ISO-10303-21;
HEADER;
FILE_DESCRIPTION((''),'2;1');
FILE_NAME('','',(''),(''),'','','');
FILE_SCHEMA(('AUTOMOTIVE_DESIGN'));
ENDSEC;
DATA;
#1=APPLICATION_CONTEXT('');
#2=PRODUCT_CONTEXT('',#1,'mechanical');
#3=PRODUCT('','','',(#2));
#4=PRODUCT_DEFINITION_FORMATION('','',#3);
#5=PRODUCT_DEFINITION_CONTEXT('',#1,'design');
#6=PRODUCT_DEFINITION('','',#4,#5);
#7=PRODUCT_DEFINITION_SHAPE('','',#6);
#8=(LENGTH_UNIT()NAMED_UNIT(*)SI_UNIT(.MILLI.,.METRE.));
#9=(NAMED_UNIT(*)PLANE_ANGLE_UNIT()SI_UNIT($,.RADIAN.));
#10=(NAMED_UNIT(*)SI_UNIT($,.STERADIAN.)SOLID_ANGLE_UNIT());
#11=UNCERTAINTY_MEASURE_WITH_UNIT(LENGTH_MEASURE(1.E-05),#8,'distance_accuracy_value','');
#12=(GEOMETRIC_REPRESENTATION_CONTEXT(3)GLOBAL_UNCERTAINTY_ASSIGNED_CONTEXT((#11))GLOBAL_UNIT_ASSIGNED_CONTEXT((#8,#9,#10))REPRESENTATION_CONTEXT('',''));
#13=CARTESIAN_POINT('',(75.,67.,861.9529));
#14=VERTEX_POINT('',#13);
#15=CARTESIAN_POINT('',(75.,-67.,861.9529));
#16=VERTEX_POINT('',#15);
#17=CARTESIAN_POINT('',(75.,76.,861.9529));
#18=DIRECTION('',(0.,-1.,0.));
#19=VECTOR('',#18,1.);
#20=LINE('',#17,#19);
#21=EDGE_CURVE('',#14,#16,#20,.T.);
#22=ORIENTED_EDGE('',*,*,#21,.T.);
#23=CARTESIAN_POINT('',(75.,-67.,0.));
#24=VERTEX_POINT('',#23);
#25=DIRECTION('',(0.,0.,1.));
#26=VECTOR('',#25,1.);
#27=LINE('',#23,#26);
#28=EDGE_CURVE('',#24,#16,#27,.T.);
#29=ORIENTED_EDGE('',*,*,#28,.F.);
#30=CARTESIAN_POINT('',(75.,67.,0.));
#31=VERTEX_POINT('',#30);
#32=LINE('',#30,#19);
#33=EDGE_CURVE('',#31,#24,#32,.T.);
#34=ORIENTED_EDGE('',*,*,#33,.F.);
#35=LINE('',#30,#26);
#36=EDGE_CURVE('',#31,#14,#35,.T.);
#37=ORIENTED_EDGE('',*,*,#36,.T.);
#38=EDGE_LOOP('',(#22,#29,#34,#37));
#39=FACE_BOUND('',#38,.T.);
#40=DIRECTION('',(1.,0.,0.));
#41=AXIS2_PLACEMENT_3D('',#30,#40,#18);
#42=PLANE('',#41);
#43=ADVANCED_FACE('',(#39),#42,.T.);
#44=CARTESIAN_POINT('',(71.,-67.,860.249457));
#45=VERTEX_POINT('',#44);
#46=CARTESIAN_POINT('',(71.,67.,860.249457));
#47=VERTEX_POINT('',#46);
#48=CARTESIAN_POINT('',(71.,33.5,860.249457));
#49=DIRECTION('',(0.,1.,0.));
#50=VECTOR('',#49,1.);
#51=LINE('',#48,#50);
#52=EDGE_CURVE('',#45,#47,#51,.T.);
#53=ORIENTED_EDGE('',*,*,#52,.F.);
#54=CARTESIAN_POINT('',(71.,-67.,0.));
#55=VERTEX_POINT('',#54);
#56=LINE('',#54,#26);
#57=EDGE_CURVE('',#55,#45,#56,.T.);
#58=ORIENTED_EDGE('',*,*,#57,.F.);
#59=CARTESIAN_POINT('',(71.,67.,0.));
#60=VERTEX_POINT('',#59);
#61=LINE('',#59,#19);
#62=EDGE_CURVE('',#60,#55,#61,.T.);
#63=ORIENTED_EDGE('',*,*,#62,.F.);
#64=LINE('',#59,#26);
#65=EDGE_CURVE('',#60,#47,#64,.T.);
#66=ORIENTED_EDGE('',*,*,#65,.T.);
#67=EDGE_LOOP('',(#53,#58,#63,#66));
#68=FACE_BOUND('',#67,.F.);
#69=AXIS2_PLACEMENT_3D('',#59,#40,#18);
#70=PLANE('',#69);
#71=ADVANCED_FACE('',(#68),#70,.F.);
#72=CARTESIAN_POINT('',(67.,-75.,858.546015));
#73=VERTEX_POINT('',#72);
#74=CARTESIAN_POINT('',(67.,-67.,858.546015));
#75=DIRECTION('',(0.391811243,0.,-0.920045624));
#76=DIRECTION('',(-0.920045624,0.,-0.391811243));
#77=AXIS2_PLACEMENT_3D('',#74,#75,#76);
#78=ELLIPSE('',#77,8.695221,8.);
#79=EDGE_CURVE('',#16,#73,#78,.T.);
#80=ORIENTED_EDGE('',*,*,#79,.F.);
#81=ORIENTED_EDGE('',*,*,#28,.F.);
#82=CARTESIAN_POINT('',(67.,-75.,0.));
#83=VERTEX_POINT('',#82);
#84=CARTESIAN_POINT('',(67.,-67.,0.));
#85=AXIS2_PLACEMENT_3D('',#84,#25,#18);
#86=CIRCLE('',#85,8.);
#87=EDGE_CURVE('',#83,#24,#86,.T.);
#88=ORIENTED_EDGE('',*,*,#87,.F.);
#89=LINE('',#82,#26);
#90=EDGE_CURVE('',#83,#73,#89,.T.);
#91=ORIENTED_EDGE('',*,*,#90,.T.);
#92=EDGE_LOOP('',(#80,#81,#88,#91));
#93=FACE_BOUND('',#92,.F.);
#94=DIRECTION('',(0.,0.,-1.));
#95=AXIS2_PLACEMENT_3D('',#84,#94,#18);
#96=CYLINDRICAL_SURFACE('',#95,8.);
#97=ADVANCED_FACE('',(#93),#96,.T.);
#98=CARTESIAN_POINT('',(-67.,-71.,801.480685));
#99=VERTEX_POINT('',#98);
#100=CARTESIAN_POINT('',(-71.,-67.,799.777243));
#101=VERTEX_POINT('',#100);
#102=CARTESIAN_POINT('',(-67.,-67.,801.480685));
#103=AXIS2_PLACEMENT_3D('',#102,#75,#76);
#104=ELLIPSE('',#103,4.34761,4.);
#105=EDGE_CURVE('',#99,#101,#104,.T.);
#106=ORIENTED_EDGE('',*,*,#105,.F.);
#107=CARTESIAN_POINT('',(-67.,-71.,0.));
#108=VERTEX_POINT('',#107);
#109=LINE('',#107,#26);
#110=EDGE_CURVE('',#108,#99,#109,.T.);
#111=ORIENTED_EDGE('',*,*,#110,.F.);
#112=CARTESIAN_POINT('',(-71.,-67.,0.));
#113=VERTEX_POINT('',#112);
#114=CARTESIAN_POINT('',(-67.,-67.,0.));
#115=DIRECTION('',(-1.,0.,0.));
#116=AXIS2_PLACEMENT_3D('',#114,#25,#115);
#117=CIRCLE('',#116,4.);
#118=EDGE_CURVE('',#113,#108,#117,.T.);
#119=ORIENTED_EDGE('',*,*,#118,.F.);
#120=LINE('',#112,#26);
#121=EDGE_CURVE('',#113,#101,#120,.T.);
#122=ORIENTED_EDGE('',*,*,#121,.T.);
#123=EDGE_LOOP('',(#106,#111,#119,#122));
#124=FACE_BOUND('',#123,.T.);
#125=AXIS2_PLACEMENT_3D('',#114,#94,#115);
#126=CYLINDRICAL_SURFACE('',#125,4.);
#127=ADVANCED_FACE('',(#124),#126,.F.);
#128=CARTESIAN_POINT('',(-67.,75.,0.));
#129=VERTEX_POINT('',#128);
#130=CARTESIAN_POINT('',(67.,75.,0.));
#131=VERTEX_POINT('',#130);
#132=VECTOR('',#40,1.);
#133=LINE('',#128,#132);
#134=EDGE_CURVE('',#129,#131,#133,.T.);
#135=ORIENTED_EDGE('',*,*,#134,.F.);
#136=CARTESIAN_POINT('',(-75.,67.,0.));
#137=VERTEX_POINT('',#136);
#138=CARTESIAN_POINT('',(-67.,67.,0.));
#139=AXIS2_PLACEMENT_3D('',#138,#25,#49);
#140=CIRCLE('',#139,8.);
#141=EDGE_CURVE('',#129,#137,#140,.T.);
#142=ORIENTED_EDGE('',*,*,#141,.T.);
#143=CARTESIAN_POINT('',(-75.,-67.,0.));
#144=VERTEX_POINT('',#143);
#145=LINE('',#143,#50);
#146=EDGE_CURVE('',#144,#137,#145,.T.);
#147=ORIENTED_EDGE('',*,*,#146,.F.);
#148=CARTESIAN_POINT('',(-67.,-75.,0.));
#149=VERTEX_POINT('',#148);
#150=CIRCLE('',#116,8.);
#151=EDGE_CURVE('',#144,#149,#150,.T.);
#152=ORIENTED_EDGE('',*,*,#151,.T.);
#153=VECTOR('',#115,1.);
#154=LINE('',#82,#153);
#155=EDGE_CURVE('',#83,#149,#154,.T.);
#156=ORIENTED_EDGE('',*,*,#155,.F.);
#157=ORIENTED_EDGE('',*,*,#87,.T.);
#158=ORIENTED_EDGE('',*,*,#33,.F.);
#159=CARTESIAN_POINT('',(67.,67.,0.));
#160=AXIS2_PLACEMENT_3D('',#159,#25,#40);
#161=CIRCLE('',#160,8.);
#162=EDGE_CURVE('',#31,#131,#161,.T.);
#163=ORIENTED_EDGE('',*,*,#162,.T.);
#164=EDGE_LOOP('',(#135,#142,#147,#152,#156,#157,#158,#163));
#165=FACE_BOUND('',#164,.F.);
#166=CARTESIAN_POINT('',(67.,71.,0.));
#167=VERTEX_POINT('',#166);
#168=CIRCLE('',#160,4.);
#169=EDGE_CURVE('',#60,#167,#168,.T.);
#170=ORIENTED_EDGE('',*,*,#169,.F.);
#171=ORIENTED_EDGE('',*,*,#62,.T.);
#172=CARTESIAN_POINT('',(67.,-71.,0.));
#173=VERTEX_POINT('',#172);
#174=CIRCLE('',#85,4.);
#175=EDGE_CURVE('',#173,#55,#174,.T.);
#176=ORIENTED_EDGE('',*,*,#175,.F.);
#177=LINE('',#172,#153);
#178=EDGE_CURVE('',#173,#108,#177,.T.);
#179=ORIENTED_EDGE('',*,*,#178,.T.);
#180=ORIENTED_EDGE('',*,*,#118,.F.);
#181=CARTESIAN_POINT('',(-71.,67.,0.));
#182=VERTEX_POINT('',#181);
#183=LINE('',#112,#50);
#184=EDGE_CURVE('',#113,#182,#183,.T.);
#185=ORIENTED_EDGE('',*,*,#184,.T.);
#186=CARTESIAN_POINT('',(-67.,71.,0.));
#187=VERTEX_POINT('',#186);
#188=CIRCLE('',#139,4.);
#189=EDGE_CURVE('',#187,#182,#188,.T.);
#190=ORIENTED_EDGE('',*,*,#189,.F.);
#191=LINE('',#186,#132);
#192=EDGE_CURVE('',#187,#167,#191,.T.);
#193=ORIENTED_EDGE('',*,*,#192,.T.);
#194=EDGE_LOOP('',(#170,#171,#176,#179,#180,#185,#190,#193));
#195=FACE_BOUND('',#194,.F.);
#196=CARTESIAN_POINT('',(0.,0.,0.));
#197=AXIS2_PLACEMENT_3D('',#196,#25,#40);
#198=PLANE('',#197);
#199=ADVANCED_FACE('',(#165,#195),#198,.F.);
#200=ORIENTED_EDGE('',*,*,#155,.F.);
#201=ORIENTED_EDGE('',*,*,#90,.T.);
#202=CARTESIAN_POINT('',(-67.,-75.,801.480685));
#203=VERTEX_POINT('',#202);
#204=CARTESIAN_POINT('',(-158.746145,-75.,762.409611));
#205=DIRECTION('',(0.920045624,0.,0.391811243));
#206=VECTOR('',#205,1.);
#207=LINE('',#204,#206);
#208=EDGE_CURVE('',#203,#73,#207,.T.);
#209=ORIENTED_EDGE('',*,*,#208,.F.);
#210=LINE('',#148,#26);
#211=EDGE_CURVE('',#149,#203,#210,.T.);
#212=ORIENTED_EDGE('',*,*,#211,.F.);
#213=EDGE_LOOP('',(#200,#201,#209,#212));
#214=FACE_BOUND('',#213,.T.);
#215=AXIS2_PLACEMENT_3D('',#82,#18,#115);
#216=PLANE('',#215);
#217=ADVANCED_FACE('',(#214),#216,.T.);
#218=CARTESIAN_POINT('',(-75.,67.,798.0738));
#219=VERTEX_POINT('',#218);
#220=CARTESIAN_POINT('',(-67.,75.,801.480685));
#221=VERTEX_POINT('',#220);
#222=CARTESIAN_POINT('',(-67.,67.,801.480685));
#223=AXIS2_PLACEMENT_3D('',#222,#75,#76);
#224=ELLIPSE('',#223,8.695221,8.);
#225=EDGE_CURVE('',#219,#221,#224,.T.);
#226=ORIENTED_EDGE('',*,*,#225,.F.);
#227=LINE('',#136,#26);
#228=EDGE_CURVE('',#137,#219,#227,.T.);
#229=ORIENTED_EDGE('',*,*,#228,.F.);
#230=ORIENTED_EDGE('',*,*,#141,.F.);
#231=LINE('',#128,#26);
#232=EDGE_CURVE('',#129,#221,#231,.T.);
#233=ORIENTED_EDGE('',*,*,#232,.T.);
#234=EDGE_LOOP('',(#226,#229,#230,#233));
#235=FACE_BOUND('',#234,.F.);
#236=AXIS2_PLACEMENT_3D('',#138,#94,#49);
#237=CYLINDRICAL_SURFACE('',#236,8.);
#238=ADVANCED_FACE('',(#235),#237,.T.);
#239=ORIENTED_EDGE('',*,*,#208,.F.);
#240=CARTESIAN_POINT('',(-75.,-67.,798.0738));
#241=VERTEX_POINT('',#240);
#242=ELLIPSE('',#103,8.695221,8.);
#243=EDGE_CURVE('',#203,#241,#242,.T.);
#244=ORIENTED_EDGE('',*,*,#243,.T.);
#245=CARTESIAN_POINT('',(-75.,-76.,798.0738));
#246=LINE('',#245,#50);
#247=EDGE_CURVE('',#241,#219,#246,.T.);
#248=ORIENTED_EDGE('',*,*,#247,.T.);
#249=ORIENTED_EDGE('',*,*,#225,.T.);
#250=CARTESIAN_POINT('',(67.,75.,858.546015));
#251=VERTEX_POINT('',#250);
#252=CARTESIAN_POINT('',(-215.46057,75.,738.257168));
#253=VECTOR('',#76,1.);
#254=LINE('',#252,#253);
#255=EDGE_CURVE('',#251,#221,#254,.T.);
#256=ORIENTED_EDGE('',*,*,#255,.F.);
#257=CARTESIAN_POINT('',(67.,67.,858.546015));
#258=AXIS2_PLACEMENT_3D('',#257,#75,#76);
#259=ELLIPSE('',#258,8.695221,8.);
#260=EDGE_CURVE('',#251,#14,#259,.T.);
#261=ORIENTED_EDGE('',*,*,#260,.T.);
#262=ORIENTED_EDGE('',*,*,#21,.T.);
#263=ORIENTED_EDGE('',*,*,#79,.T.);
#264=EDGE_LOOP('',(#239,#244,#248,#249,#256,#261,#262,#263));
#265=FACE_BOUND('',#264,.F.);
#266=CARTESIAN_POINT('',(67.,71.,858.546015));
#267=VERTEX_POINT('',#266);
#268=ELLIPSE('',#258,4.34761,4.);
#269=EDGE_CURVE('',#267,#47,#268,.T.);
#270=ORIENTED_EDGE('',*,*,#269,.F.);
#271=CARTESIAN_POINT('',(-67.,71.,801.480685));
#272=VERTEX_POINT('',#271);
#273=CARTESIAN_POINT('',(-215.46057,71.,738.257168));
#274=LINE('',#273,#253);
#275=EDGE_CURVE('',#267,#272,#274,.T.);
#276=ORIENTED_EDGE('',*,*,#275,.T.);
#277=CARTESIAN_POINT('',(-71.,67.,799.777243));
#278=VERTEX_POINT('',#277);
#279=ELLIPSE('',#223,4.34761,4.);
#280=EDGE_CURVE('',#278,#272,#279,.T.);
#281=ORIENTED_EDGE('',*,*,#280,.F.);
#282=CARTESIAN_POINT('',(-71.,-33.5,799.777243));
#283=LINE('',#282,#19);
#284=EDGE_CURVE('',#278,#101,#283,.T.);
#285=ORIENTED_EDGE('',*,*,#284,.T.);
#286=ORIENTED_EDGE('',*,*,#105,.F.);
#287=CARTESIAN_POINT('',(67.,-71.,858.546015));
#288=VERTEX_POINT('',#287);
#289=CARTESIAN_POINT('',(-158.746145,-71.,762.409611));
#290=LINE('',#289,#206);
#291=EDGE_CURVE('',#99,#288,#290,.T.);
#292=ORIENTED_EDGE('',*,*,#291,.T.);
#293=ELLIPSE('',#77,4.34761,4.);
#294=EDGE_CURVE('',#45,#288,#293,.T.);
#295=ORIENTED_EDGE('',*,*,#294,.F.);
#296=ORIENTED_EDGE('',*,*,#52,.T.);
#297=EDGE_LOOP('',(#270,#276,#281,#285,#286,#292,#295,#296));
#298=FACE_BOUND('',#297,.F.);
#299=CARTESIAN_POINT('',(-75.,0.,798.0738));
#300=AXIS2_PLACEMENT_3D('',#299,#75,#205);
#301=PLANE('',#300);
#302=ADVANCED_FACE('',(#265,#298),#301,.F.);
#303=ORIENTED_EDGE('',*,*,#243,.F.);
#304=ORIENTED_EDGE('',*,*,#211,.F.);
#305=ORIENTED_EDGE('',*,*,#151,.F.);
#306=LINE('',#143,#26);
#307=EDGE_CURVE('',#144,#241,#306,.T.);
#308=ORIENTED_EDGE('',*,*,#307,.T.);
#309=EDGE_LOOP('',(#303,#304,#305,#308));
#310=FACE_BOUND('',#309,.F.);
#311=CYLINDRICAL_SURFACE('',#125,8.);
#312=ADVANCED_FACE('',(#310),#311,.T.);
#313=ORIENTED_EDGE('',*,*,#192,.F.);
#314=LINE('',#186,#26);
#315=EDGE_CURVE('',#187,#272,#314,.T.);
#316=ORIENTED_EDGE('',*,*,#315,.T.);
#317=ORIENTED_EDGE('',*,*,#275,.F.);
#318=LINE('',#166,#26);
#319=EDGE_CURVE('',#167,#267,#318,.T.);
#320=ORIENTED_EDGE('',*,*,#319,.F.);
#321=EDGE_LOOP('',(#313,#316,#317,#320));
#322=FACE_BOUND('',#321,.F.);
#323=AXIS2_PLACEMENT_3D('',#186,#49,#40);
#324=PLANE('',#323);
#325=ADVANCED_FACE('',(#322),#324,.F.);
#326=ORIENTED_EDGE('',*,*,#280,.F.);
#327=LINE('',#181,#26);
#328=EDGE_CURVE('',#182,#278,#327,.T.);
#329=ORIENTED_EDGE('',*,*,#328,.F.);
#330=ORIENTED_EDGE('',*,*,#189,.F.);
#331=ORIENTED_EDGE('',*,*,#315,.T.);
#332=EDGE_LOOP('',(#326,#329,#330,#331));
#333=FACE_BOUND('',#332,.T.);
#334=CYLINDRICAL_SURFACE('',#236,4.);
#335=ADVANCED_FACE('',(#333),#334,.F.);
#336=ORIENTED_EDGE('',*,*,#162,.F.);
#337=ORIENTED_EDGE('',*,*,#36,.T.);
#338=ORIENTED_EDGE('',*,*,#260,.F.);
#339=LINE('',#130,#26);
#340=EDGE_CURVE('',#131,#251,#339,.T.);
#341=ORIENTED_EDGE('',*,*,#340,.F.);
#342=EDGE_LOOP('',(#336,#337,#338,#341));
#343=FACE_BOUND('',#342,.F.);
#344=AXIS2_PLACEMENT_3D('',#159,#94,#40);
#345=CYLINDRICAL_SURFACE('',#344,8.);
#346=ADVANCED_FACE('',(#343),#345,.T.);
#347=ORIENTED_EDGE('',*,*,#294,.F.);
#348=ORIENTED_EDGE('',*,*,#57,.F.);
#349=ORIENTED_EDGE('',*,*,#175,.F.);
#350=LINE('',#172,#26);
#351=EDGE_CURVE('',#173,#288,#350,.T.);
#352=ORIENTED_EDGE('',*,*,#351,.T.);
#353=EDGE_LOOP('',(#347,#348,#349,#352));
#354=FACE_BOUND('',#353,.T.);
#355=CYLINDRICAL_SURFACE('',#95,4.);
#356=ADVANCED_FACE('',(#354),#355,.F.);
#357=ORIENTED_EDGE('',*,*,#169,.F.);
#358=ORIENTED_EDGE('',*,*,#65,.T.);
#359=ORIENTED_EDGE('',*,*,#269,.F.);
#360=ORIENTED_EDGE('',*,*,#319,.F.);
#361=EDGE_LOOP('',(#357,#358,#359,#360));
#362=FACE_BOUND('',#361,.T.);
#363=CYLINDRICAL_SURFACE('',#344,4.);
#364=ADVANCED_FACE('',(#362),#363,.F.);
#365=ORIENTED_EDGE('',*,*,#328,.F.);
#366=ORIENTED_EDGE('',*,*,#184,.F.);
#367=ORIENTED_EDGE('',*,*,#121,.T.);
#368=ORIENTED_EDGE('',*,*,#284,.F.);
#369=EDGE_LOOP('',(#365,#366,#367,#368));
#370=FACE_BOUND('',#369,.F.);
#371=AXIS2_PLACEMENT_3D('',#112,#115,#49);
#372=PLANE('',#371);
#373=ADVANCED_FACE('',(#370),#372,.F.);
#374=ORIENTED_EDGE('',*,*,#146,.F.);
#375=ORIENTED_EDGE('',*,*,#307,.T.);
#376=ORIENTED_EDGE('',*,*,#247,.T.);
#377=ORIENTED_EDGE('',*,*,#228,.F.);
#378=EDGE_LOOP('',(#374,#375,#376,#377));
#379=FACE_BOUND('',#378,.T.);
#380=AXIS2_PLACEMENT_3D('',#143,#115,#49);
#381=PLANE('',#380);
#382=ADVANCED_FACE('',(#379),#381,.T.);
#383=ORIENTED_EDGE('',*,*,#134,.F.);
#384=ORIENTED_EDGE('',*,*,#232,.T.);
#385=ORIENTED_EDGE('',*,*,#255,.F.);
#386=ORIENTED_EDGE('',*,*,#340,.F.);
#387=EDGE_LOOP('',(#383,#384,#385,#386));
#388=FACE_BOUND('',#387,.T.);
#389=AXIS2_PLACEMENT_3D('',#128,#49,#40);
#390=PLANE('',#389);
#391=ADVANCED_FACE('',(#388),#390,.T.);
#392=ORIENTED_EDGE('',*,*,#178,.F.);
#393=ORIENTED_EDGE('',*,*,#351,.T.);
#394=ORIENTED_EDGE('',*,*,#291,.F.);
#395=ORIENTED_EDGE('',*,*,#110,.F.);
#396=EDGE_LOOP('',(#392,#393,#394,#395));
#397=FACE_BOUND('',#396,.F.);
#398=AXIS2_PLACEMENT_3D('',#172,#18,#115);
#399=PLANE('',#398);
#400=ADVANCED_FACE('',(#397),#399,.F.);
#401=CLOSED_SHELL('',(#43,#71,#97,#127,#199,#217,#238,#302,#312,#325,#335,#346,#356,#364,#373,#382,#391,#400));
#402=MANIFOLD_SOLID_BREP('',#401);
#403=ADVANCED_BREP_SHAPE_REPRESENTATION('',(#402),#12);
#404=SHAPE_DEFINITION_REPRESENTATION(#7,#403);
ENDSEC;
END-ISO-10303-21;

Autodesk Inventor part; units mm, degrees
ref_plane "YZ Plane" through (0, 0, 0) normal (1, 0, 0) x (0, 1, 0)
ref_plane "Start plane" through (0, 0, 0) normal (0, 0, 1) x (1, 0, 0)
ref_plane "End plane" through (0, 0, 1000) normal (0, 0, 1) x (1, 0, 0)
sketch "Sketch" plane through (0, 0, 0) normal (0, 0, 1) x (1, 0, 0)
  line L0 (-75, -67) -> (-75, 67)
  line L1 (-67, 75) -> (67, 75)
  line L2 (75, 67) -> (75, -67)
  line L3 (67, -75) -> (-67, -75)
  arc A0 (-75, -67) -> (-67, -75) centre (-67, -67) ccw
  arc A1 (75, 67) -> (67, 75) centre (67, 67) ccw
  arc A2 (-67, 75) -> (-75, 67) centre (-67, 67) ccw
  arc A3 (67, -75) -> (75, -67) centre (67, -67) ccw
  arc A4 (-67, 71) -> (-71, 67) centre (-67, 67) ccw
  line L4 (-67, 71) -> (67, 71)
  arc A5 (71, 67) -> (67, 71) centre (67, 67) ccw
  line L5 (71, 67) -> (71, -67)
  arc A6 (67, -71) -> (71, -67) centre (67, -67) ccw
  line L6 (67, -71) -> (-67, -71)
  arc A7 (-71, -67) -> (-67, -71) centre (-67, -67) ccw
  line L7 (-71, -67) -> (-71, 67)
  line L8 (0, 142.8995) -> (0, -142.8995) construction
  line L9 (-3050.6659, 0) -> (1250.6659, 0) construction
  dimension "d7" = 8
  dimension "d9" = 150
  dimension "d11" = 150
  dimension "d12" = 4
  dimension "d15" = 75
  dimension "d16" = 75
extrude "Body" add sketch "Sketch" along normal up to surface (1000 mm away) from surface at 0
sketch "Sketch3" plane through (0, 0, 0) normal (0, 0, 1) x (1, 0, 0)
  line L0 (0, 0) -> (10, 0)
ref_plane "Work Plane3" through (0, 0, 0) normal (0, -1, 0) x (1, 0, 0)
sketch "Sketch5" plane through (0, 0, 0) normal (0, 1, 0) x (-1, 0, 0)
  line L0 (-75, 0) -> (-75, 1000) projected
  line L1 (75, 0) -> (75, 1000) projected
  line L2 (75, 0) -> (75, 1000) projected
  line L3 (75, 808.9429) -> (1175, 808.9429) construction
  line L4 (-167.5414, 917.1689) -> (2517.5414, 917.1689) construction
  arc A0 (-167.5414, 917.1689) -> (1175, 600) centre (1175, 3600) ccw construction
  line L5 (-325, 1172.0379) -> (2675, 1172.0379) construction
  arc A1 (-325, 1172.0379) -> (-167.5414, 917.1689) centre (-40, 1172.0379) ccw construction
  arc A2 (2517.5414, 917.1689) -> (2675, 1172.0379) centre (2390, 1172.0379) ccw
  line L6 (-325, 1172.0379) -> (-325, 1212.0379)
  line L7 (2675, 1172.0379) -> (2675, 1212.0379)
  line L8 (-325, 1212.0379) -> (1175, 1212.0379) construction
  line L9 (1175, 1212.0379) -> (1175, 0)
  arc A3 (1175, 600) -> (2517.5414, 917.1689) centre (1175, 3600) ccw
  line L10 (1175, 1212.0379) -> (2675, 1212.0379)
  point P0 (0, 0)
  dimension "d22" = 1100
  dimension "d24" = 3000
  dimension "d25" = 285
  dimension "d26" = 40
  dimension "d27" = 3000
  dimension "d28" = 600
  dimension "d30" = 808.9429
sketch "Sketch6" plane through (0, 0, 0) normal (0, 1, 0) x (-1, 0, 0)
  line L0 (75, 0) -> (75, 1000) projected
  line L1 (75, 0) -> (75, 1000) projected
  line L2 (-75, 0) -> (-75, 1000) projected
  line L3 (-75, 0) -> (-75, 1000) projected
  line L4 (67, 1000) -> (75, 1000) projected
  line L5 (75, 1000) -> (-75, 1000)
  line L6 (-75, 872.822) -> (75, 808.9429)
  arc A0 (-167.5414, 917.1689) -> (1175, 600) centre (1175, 3600) ccw construction
  line L7 (75, 798.0738) -> (-75, 861.9529)
  point P0 (0, 0)
  point P1 (75, 798.0738)
  dimension "d33" = 10
extrude "Extrusion2" cut sketch "Sketch6" along normal through all both and the other way through all
sketch "Sketch4" plane through (0, 0, 0) normal (0, -1, 0) x (1, 0, 0)
  line L0 (-3050.6659, 0) -> (1250.6659, 0) projected
  line L1 (-3050.6659, 1000) -> (1250.6659, 1000) projected
  dimension "d18" = 1000
equation "\"d7\" = G_IR"
equation "\"d9\" = G_W"
equation "\"d11\" = G_H"
equation "\"d12\" = G_T"
equation "\"d15\" = 0.5 * d9"
equation "\"d16\" = 0.5 * d11"
equation "\"d3\" = G_L"
equation "\"d24\" = d27"
equation "\"d25\" = 0.095 * d27"
equation "\"G_W\" = 150"
equation "\"G_H\" = 150"
equation "\"G_T\" = 4"
equation "\"G_IR\" = 8"
equation "\"G_L\" = d18"
equation "\"G_OFFSET_START\" = 0"
equation "\"G_OFFSET_END\" = 0"
properties part number "ISO 4019 - 150x150x4 - 1000" material "Steel, Mild"
